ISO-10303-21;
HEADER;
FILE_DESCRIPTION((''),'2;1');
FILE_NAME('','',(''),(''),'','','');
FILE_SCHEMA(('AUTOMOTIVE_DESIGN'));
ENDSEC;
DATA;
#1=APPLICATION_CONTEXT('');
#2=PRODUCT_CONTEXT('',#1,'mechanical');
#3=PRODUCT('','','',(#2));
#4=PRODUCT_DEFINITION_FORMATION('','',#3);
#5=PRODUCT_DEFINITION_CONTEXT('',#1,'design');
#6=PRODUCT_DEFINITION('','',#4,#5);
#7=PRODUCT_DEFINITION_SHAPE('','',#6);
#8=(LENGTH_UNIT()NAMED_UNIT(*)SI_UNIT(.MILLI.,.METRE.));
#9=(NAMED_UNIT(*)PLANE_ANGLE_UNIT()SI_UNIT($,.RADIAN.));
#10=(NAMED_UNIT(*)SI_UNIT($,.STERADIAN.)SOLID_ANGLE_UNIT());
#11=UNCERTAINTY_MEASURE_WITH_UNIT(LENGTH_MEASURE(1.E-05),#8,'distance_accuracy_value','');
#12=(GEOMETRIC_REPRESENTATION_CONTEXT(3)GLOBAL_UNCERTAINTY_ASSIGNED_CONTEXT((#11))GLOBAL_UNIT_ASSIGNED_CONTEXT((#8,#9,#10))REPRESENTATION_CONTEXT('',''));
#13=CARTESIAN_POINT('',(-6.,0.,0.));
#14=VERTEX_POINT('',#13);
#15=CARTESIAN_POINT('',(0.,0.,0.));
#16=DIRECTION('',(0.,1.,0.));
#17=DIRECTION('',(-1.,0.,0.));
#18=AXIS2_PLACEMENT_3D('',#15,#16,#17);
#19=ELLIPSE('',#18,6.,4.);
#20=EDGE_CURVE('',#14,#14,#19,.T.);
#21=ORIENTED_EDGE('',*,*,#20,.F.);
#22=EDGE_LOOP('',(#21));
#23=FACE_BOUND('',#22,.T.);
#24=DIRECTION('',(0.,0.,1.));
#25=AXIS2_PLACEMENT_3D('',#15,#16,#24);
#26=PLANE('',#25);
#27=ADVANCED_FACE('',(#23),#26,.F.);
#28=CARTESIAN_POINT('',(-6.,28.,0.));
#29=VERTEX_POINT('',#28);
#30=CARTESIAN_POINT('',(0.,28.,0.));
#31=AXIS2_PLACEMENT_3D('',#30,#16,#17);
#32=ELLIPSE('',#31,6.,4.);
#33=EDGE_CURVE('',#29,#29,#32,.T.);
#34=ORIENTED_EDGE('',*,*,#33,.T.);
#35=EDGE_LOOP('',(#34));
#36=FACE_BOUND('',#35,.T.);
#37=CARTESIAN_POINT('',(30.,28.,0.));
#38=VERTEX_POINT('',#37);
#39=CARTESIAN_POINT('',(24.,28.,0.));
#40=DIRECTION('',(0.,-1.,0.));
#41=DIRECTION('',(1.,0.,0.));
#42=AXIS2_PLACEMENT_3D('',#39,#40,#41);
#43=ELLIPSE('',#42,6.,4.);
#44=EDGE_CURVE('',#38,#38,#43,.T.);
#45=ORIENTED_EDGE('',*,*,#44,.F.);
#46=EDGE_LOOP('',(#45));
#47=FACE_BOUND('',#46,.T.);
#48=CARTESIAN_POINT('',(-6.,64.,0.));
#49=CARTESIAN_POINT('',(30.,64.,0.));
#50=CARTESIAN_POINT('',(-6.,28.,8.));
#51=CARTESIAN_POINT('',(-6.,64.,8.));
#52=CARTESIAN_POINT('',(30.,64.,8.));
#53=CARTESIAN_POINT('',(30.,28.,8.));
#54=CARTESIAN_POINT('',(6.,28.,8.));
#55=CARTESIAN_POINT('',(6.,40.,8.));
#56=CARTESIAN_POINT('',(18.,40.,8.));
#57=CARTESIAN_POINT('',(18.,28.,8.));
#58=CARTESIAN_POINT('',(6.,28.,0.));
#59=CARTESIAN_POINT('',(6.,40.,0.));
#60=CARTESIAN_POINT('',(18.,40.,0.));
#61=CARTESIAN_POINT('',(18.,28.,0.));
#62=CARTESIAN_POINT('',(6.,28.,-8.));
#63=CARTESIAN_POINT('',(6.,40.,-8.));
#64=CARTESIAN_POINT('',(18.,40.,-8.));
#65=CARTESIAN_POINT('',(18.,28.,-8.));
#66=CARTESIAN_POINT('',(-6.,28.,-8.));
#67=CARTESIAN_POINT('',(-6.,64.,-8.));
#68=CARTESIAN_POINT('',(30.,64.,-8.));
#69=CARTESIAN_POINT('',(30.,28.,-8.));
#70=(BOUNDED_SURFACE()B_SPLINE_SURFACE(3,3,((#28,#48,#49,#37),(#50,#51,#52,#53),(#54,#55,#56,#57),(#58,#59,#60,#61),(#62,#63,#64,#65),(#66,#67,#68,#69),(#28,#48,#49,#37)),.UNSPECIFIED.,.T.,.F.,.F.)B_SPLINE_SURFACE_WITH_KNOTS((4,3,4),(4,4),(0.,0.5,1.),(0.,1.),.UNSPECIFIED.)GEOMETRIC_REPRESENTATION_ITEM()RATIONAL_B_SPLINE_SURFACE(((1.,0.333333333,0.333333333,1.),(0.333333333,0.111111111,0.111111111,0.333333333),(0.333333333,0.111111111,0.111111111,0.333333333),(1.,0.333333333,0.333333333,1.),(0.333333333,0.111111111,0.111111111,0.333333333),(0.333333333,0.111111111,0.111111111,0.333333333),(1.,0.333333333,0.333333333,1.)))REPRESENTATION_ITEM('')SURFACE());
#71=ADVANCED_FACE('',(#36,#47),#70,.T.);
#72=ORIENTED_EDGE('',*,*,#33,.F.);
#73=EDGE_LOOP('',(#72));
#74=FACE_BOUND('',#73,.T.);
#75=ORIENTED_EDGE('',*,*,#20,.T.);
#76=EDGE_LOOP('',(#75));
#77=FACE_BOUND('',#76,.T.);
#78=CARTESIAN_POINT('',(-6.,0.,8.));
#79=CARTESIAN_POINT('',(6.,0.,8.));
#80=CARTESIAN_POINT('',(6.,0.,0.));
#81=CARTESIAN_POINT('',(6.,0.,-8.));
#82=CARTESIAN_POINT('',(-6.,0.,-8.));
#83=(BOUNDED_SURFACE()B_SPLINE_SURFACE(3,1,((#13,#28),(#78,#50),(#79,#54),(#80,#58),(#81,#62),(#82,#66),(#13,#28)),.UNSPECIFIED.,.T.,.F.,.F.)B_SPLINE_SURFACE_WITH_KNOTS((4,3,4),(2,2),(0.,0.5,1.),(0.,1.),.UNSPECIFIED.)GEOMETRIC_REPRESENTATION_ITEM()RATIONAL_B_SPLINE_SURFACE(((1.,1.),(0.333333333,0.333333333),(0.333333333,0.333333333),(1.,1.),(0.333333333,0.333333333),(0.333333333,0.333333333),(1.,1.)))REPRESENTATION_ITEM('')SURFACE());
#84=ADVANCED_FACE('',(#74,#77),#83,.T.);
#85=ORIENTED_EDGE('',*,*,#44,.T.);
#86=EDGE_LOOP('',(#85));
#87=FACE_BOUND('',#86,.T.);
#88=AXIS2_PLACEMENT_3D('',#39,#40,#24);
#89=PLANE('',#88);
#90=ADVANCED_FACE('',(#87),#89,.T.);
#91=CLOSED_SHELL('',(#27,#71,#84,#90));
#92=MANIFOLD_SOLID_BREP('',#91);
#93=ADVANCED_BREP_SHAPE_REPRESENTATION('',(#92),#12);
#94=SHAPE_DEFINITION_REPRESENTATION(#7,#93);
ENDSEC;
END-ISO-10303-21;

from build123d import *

# Parameters (mm, degrees)
SKETCH_2_RX = 6
SKETCH_2_RY = 4


with BuildPart() as part:
    # 扫描2: sweep along a path in 草图3
    with BuildLine(Plane.XY) as sweep_2_path:
        Line((0, 0), (0, 28))
        ThreePointArc((0, 28), (12, 40), (24, 28))
    # 草图2 → 扫描2 (sweep)
    with BuildSketch(Plane(origin=(0, 0, 0), x_dir=(1, 0, 0), z_dir=(0, 1, 0))):
        with Locations(Location((0, 0), (0, 0, 180))):
            Ellipse(SKETCH_2_RX, SKETCH_2_RY)
    sweep(path=sweep_2_path.line)


solid = part.part
